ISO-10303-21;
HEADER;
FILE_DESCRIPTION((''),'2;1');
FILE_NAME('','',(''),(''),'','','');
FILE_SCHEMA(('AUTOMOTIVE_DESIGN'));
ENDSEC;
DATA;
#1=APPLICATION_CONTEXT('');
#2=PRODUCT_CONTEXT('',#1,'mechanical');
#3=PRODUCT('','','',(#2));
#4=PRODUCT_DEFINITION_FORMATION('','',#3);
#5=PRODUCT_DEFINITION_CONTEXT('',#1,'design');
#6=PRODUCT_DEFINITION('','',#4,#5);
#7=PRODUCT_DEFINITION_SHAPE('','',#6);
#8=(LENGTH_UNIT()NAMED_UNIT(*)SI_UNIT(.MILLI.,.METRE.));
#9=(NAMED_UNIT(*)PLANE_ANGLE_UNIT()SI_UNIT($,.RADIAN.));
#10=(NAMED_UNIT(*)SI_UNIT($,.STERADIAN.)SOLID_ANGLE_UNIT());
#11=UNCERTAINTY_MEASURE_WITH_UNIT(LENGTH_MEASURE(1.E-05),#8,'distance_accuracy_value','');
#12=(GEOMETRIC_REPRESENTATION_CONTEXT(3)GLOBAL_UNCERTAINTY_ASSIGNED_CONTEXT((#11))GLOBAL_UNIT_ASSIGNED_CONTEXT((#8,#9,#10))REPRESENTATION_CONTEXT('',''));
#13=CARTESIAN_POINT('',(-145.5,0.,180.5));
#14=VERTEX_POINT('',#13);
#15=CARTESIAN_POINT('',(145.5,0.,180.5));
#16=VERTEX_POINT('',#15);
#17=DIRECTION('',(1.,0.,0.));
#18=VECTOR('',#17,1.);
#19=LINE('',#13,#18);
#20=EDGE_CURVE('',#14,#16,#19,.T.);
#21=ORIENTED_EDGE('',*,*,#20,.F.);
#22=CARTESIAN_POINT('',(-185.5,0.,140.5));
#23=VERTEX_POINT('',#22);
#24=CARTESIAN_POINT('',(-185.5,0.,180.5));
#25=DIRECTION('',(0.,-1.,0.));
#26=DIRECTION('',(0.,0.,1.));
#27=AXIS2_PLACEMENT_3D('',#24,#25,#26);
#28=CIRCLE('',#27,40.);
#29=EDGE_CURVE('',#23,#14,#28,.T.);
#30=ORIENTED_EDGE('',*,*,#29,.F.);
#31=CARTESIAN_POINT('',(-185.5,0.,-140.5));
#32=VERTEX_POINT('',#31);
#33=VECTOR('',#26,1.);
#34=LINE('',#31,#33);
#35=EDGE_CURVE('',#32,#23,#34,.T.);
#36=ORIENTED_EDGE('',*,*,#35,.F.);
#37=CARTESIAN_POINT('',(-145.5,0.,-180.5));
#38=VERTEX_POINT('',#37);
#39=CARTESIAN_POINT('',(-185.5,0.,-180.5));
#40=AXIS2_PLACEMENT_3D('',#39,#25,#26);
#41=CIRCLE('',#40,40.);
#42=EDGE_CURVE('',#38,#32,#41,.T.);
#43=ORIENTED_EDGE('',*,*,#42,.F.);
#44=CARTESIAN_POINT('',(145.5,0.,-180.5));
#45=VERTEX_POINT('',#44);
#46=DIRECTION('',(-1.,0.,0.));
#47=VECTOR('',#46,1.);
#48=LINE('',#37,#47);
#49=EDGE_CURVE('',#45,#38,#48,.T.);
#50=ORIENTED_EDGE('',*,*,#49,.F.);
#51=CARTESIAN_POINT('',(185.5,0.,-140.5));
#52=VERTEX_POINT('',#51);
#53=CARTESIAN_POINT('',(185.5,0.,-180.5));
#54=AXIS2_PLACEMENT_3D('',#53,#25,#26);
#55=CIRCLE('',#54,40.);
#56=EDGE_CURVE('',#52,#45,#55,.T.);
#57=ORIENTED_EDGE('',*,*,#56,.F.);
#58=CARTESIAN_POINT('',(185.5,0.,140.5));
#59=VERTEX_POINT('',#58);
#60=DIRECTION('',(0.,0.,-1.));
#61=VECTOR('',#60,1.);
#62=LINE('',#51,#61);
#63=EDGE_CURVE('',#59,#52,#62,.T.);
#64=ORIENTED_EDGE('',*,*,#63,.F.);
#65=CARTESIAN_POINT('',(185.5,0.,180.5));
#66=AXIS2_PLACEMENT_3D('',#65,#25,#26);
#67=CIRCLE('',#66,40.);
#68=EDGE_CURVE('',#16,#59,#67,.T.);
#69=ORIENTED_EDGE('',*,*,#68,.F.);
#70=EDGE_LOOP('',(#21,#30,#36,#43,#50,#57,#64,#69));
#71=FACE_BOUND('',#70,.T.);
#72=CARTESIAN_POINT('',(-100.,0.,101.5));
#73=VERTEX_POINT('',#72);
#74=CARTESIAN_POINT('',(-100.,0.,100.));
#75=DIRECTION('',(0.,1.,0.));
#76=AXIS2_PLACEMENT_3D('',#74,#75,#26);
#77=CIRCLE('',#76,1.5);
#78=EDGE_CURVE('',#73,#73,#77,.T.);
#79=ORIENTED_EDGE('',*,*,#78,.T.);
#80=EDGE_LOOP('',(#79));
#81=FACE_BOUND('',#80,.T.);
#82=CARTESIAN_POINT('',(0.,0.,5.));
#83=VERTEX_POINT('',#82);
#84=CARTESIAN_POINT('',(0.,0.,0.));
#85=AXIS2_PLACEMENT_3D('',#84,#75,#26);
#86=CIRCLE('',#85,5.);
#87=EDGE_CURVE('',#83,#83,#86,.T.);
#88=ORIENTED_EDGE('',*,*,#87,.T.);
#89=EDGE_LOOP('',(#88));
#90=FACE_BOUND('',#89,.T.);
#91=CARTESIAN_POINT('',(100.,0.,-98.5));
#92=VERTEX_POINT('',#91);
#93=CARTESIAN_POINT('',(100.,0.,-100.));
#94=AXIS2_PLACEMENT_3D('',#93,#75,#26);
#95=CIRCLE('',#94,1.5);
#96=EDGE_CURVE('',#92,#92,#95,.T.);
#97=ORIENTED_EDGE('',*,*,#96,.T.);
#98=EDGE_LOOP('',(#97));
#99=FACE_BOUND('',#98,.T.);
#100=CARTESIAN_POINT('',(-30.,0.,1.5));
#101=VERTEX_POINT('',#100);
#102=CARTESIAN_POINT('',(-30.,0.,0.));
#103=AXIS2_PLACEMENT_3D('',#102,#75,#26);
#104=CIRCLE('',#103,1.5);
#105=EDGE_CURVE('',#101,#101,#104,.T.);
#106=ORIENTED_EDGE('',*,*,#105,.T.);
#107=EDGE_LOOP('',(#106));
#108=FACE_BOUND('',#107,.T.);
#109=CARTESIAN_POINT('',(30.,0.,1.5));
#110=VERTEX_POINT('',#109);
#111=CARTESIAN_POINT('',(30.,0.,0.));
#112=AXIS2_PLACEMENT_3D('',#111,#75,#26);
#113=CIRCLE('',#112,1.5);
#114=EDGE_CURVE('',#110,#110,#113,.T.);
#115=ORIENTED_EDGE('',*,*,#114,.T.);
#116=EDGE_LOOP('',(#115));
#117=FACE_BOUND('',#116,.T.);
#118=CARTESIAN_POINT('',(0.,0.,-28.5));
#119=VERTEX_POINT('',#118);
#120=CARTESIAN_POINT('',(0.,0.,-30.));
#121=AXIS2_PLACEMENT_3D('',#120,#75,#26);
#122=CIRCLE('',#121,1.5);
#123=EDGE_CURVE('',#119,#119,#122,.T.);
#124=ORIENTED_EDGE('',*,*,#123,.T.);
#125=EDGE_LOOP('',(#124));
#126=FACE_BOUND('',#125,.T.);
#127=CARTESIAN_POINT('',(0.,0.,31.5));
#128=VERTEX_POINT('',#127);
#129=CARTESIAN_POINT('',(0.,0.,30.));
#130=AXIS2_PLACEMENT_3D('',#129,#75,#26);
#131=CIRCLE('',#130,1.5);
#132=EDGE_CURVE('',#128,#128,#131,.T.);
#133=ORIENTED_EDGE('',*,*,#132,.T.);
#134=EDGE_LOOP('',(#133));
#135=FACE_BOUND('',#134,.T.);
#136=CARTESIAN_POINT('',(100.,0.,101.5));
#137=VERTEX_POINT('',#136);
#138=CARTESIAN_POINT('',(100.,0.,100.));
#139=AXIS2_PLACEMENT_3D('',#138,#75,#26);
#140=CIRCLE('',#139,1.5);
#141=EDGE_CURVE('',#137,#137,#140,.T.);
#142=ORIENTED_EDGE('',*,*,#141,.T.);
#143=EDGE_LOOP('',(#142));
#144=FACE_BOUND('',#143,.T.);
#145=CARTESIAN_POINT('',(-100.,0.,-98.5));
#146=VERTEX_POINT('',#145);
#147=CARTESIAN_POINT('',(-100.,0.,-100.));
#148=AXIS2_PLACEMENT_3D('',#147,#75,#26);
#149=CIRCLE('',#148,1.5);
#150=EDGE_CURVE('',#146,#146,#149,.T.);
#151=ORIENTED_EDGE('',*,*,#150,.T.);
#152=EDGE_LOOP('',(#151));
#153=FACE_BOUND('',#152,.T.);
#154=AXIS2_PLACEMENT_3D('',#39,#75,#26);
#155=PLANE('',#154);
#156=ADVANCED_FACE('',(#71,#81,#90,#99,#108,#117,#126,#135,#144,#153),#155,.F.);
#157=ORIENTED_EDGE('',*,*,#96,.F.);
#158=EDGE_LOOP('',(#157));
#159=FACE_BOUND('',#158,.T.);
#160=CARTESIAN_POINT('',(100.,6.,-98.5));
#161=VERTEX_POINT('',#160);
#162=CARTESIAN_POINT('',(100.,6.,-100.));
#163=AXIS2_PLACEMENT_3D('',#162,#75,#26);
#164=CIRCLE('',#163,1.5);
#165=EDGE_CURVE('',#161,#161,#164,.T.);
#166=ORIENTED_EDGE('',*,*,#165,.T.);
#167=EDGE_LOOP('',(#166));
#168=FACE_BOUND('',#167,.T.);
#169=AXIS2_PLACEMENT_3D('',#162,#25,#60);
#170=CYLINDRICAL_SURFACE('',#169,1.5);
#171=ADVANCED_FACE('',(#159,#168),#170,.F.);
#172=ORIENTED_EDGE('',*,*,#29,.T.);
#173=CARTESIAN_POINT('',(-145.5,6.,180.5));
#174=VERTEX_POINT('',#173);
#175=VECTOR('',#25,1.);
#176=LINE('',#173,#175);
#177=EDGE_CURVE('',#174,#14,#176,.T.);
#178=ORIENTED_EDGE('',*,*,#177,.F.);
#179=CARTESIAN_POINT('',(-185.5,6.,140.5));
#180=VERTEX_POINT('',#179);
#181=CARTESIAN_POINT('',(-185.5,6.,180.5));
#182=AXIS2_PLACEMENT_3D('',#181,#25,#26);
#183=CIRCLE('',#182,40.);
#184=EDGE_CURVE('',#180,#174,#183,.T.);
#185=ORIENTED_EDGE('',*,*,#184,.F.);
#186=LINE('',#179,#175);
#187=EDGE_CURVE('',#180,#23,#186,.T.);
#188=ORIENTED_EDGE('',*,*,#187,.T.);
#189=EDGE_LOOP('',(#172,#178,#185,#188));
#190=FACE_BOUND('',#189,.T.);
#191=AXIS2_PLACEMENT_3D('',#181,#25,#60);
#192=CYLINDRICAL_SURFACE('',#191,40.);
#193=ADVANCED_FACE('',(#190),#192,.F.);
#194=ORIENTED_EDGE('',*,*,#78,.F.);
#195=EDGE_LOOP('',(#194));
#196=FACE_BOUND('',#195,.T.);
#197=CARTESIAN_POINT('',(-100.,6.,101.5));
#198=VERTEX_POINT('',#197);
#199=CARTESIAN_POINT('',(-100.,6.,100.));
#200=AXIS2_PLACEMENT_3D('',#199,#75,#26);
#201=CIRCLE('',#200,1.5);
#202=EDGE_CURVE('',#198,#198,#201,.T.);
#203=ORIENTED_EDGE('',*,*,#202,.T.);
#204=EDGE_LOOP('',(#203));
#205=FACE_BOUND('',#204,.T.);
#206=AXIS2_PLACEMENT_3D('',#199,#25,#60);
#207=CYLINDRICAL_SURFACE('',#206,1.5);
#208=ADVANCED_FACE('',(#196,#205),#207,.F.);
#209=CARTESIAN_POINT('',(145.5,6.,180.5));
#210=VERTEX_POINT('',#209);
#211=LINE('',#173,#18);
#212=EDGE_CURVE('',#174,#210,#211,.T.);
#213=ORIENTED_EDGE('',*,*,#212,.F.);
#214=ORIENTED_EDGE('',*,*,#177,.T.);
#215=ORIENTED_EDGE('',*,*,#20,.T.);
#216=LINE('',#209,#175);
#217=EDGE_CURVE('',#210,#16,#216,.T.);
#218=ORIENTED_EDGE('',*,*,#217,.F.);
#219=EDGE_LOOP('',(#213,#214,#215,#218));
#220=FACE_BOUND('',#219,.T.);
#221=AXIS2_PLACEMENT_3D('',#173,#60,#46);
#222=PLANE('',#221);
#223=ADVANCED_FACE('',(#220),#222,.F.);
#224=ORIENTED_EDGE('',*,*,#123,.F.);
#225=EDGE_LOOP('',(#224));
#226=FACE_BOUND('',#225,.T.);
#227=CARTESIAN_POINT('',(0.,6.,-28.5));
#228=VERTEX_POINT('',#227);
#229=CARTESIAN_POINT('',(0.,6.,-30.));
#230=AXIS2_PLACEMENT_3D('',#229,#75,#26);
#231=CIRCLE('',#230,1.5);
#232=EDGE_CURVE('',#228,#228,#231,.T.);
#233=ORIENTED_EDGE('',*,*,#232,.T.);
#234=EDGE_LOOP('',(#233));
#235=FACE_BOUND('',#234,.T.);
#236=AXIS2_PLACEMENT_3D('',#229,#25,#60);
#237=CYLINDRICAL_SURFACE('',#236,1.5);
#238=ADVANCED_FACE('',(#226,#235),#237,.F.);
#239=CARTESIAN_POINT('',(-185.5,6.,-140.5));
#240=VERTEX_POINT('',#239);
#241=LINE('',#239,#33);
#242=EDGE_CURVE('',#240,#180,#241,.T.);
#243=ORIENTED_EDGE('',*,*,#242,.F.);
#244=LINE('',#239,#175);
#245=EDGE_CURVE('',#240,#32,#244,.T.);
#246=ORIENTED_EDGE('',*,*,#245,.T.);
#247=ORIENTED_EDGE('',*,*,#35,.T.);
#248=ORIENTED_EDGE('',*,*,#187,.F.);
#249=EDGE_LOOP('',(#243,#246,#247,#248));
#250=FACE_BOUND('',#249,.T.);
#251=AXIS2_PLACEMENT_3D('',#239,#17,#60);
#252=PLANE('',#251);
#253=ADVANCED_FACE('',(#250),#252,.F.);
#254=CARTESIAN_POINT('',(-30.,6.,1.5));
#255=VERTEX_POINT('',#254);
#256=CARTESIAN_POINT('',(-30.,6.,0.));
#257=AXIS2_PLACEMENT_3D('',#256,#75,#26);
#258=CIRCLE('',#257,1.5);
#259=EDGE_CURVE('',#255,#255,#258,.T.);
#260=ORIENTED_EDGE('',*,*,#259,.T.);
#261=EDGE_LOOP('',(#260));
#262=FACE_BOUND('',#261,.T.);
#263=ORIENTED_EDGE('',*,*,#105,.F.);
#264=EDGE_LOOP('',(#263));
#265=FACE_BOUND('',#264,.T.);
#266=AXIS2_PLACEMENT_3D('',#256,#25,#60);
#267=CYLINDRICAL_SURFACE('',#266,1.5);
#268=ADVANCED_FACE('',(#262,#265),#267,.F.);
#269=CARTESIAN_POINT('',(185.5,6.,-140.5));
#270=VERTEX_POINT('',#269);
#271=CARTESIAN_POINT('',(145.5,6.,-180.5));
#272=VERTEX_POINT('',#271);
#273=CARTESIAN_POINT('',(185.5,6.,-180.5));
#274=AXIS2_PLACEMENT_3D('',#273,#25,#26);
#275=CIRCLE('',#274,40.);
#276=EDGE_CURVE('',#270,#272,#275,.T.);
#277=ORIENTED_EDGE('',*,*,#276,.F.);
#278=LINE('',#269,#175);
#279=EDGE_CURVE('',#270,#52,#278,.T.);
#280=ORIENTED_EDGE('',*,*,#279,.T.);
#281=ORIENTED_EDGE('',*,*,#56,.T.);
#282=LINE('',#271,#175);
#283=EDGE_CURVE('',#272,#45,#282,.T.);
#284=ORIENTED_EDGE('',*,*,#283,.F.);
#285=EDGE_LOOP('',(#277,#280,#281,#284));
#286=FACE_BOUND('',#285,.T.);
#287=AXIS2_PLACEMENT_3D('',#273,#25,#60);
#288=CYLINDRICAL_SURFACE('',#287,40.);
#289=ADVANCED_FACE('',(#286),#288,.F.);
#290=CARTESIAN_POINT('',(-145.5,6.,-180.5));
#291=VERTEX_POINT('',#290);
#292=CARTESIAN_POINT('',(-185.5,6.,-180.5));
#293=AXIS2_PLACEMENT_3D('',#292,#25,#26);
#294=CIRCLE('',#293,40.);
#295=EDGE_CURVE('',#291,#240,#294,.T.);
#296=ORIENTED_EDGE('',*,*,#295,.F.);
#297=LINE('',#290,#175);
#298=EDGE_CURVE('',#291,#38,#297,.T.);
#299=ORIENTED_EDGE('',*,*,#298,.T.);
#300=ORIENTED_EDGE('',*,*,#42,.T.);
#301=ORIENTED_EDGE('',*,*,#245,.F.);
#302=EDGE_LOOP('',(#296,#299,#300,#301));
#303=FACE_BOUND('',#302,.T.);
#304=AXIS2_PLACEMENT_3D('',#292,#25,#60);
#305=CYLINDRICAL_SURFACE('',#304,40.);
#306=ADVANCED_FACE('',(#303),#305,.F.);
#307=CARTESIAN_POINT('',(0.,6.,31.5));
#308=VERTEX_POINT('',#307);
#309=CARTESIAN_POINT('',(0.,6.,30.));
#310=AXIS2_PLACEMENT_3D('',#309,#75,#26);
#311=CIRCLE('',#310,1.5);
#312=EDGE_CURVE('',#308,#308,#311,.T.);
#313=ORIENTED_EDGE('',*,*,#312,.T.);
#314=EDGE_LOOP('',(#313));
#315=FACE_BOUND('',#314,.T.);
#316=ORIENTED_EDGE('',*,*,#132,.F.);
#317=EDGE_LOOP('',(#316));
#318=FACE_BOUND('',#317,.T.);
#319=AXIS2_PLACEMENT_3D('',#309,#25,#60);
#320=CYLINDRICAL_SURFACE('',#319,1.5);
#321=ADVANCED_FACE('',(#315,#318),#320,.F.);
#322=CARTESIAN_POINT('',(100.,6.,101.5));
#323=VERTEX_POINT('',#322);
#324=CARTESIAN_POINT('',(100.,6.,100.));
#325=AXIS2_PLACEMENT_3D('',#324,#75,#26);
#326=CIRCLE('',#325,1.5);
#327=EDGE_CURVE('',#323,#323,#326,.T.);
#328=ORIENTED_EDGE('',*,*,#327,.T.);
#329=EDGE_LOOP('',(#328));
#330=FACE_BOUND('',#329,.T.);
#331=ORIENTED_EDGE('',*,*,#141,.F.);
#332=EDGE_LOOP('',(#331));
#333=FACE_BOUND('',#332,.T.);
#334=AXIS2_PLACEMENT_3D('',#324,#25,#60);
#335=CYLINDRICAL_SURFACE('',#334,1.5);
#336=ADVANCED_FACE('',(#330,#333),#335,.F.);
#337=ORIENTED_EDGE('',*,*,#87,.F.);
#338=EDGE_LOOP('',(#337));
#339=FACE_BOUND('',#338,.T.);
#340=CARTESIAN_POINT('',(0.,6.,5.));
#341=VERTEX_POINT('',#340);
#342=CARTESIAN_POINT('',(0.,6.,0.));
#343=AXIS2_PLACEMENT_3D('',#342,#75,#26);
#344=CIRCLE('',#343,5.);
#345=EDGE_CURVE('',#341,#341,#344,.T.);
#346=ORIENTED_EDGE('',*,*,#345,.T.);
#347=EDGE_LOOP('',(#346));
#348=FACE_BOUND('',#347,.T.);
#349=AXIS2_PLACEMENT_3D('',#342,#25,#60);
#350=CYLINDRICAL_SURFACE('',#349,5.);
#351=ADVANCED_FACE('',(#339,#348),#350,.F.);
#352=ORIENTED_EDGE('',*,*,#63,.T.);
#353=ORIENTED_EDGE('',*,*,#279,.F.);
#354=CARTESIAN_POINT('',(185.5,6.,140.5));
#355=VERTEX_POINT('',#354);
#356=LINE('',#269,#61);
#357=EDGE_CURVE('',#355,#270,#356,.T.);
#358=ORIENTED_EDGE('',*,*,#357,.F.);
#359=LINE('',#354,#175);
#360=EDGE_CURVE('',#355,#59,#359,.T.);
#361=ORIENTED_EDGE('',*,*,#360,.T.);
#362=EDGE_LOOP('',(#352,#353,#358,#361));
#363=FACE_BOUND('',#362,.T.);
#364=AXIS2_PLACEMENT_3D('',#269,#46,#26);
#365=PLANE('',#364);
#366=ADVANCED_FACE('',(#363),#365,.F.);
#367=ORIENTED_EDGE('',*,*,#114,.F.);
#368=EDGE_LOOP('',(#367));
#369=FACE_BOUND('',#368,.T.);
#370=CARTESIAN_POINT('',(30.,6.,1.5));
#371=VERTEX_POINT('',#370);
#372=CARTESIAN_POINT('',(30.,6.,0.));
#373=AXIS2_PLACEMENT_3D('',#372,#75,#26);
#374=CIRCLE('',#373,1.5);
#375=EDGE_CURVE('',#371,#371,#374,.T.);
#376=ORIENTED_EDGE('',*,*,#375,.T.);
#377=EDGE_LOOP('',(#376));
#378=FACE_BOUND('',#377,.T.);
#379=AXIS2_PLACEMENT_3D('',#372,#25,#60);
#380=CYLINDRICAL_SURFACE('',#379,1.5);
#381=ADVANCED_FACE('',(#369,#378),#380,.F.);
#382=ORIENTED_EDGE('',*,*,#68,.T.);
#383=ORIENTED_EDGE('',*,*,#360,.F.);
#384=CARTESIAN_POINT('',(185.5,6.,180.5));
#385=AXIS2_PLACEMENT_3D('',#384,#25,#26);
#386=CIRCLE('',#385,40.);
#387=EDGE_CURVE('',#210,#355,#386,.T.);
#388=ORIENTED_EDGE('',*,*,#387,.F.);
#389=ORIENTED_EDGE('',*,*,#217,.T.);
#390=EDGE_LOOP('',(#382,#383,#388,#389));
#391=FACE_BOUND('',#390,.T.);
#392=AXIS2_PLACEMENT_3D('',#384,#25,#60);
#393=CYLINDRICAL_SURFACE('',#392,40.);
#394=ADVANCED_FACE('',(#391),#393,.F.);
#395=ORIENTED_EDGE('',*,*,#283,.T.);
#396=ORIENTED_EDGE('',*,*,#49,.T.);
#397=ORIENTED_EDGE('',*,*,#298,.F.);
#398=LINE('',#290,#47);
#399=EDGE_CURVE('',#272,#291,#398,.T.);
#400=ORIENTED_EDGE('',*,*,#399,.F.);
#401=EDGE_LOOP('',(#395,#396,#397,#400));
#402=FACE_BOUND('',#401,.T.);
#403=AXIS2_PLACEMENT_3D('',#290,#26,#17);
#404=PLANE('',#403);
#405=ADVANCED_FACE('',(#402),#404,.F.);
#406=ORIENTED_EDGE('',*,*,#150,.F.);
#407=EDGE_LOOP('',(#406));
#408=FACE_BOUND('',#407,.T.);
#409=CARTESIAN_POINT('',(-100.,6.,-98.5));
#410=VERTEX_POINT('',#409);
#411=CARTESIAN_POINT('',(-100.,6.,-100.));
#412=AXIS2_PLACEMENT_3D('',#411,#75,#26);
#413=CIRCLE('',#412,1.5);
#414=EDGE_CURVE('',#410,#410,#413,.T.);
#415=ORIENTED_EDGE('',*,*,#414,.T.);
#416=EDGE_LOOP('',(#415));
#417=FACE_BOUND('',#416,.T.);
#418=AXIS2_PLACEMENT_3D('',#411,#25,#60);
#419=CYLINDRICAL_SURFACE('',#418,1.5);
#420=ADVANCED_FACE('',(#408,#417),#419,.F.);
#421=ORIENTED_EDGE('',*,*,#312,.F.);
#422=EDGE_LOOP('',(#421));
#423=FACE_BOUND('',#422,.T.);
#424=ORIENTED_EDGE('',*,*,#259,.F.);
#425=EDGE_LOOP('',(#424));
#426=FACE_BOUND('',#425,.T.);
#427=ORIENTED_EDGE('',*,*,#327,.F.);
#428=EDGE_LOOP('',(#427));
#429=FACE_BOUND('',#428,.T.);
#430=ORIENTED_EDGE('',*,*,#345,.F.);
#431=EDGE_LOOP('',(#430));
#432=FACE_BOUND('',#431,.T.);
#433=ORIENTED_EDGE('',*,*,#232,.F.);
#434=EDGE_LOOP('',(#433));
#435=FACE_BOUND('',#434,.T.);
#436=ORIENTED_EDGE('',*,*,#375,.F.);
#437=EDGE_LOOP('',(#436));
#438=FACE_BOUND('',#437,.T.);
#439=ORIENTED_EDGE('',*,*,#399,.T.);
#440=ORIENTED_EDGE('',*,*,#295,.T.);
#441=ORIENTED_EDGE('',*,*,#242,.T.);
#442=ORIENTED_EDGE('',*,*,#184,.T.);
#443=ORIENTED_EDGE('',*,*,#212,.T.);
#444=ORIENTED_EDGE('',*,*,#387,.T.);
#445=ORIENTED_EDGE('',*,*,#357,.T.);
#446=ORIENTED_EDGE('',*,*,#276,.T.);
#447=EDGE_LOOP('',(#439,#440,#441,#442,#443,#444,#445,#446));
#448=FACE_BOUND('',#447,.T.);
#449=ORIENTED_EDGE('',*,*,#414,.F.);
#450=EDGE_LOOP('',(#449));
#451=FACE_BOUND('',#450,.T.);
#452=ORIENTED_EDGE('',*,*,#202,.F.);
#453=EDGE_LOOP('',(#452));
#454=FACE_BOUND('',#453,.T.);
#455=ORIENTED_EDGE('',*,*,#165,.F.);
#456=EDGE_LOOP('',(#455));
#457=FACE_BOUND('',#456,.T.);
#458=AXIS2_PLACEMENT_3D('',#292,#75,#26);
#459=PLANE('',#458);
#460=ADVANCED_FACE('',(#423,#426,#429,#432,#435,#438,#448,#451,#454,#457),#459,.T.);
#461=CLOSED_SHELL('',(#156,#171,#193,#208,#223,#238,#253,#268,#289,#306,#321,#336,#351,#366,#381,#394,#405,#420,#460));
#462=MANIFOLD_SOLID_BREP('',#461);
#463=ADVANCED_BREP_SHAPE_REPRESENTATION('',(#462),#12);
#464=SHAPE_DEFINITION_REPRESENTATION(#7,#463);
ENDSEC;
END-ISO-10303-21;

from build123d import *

# Parameters (mm, degrees)
SKETCH_1_R        = 5
SKETCH_1_R_2      = 1.5
EXTRUDE_636_DEPTH = 6


with BuildPart() as part:
    # 草图1 → Extrude 636 (new body)
    with BuildSketch(Plane(origin=(0, 0, 0), x_dir=(1, 0, 0), z_dir=(0, 1, 0))):
        with BuildLine():
            Line((-145.5, 180.5), (145.5, 180.5))
            ThreePointArc((145.5, 180.5), (157.215728753, 152.215728753), (185.5, 140.5))
            Line((185.5, 140.5), (185.5, -140.5))
            ThreePointArc((185.5, -140.5), (157.215728753, -152.215728753), (145.5, -180.5))
            Line((145.5, -180.5), (-145.5, -180.5))
            ThreePointArc((-145.5, -180.5), (-157.215728753, -152.215728753), (-185.5, -140.5))
            Line((-185.5, -140.5), (-185.5, 140.5))
            ThreePointArc((-185.5, 140.5), (-157.215728753, 152.215728753), (-145.5, 180.5))
        make_face()
        with Locations(Location((0, 0, 0), (0, 0, 270))):
            Circle(SKETCH_1_R, mode=Mode.SUBTRACT)
        with Locations(Location((0, 30, 0), (0, 0, 270))):
            Circle(SKETCH_1_R_2, mode=Mode.SUBTRACT)
        with Locations(Location((30, 0, 0), (0, 0, 270))):
            Circle(SKETCH_1_R_2, mode=Mode.SUBTRACT)
        with Locations(Location((0, -30, 0), (0, 0, 270))):
            Circle(SKETCH_1_R_2, mode=Mode.SUBTRACT)
        with Locations(Location((-30, 0, 0), (0, 0, 270))):
            Circle(SKETCH_1_R_2, mode=Mode.SUBTRACT)
        with Locations(Location((-100, 100, 0), (0, 0, 270))):
            Circle(SKETCH_1_R_2, mode=Mode.SUBTRACT)
        with Locations(Location((100, 100, 0), (0, 0, 270))):
            Circle(SKETCH_1_R_2, mode=Mode.SUBTRACT)
        with Locations(Location((100, -100, 0), (0, 0, 270))):
            Circle(SKETCH_1_R_2, mode=Mode.SUBTRACT)
        with Locations(Location((-100, -100, 0), (0, 0, 270))):
            Circle(SKETCH_1_R_2, mode=Mode.SUBTRACT)
    extrude(amount=EXTRUDE_636_DEPTH)


solid = part.part
